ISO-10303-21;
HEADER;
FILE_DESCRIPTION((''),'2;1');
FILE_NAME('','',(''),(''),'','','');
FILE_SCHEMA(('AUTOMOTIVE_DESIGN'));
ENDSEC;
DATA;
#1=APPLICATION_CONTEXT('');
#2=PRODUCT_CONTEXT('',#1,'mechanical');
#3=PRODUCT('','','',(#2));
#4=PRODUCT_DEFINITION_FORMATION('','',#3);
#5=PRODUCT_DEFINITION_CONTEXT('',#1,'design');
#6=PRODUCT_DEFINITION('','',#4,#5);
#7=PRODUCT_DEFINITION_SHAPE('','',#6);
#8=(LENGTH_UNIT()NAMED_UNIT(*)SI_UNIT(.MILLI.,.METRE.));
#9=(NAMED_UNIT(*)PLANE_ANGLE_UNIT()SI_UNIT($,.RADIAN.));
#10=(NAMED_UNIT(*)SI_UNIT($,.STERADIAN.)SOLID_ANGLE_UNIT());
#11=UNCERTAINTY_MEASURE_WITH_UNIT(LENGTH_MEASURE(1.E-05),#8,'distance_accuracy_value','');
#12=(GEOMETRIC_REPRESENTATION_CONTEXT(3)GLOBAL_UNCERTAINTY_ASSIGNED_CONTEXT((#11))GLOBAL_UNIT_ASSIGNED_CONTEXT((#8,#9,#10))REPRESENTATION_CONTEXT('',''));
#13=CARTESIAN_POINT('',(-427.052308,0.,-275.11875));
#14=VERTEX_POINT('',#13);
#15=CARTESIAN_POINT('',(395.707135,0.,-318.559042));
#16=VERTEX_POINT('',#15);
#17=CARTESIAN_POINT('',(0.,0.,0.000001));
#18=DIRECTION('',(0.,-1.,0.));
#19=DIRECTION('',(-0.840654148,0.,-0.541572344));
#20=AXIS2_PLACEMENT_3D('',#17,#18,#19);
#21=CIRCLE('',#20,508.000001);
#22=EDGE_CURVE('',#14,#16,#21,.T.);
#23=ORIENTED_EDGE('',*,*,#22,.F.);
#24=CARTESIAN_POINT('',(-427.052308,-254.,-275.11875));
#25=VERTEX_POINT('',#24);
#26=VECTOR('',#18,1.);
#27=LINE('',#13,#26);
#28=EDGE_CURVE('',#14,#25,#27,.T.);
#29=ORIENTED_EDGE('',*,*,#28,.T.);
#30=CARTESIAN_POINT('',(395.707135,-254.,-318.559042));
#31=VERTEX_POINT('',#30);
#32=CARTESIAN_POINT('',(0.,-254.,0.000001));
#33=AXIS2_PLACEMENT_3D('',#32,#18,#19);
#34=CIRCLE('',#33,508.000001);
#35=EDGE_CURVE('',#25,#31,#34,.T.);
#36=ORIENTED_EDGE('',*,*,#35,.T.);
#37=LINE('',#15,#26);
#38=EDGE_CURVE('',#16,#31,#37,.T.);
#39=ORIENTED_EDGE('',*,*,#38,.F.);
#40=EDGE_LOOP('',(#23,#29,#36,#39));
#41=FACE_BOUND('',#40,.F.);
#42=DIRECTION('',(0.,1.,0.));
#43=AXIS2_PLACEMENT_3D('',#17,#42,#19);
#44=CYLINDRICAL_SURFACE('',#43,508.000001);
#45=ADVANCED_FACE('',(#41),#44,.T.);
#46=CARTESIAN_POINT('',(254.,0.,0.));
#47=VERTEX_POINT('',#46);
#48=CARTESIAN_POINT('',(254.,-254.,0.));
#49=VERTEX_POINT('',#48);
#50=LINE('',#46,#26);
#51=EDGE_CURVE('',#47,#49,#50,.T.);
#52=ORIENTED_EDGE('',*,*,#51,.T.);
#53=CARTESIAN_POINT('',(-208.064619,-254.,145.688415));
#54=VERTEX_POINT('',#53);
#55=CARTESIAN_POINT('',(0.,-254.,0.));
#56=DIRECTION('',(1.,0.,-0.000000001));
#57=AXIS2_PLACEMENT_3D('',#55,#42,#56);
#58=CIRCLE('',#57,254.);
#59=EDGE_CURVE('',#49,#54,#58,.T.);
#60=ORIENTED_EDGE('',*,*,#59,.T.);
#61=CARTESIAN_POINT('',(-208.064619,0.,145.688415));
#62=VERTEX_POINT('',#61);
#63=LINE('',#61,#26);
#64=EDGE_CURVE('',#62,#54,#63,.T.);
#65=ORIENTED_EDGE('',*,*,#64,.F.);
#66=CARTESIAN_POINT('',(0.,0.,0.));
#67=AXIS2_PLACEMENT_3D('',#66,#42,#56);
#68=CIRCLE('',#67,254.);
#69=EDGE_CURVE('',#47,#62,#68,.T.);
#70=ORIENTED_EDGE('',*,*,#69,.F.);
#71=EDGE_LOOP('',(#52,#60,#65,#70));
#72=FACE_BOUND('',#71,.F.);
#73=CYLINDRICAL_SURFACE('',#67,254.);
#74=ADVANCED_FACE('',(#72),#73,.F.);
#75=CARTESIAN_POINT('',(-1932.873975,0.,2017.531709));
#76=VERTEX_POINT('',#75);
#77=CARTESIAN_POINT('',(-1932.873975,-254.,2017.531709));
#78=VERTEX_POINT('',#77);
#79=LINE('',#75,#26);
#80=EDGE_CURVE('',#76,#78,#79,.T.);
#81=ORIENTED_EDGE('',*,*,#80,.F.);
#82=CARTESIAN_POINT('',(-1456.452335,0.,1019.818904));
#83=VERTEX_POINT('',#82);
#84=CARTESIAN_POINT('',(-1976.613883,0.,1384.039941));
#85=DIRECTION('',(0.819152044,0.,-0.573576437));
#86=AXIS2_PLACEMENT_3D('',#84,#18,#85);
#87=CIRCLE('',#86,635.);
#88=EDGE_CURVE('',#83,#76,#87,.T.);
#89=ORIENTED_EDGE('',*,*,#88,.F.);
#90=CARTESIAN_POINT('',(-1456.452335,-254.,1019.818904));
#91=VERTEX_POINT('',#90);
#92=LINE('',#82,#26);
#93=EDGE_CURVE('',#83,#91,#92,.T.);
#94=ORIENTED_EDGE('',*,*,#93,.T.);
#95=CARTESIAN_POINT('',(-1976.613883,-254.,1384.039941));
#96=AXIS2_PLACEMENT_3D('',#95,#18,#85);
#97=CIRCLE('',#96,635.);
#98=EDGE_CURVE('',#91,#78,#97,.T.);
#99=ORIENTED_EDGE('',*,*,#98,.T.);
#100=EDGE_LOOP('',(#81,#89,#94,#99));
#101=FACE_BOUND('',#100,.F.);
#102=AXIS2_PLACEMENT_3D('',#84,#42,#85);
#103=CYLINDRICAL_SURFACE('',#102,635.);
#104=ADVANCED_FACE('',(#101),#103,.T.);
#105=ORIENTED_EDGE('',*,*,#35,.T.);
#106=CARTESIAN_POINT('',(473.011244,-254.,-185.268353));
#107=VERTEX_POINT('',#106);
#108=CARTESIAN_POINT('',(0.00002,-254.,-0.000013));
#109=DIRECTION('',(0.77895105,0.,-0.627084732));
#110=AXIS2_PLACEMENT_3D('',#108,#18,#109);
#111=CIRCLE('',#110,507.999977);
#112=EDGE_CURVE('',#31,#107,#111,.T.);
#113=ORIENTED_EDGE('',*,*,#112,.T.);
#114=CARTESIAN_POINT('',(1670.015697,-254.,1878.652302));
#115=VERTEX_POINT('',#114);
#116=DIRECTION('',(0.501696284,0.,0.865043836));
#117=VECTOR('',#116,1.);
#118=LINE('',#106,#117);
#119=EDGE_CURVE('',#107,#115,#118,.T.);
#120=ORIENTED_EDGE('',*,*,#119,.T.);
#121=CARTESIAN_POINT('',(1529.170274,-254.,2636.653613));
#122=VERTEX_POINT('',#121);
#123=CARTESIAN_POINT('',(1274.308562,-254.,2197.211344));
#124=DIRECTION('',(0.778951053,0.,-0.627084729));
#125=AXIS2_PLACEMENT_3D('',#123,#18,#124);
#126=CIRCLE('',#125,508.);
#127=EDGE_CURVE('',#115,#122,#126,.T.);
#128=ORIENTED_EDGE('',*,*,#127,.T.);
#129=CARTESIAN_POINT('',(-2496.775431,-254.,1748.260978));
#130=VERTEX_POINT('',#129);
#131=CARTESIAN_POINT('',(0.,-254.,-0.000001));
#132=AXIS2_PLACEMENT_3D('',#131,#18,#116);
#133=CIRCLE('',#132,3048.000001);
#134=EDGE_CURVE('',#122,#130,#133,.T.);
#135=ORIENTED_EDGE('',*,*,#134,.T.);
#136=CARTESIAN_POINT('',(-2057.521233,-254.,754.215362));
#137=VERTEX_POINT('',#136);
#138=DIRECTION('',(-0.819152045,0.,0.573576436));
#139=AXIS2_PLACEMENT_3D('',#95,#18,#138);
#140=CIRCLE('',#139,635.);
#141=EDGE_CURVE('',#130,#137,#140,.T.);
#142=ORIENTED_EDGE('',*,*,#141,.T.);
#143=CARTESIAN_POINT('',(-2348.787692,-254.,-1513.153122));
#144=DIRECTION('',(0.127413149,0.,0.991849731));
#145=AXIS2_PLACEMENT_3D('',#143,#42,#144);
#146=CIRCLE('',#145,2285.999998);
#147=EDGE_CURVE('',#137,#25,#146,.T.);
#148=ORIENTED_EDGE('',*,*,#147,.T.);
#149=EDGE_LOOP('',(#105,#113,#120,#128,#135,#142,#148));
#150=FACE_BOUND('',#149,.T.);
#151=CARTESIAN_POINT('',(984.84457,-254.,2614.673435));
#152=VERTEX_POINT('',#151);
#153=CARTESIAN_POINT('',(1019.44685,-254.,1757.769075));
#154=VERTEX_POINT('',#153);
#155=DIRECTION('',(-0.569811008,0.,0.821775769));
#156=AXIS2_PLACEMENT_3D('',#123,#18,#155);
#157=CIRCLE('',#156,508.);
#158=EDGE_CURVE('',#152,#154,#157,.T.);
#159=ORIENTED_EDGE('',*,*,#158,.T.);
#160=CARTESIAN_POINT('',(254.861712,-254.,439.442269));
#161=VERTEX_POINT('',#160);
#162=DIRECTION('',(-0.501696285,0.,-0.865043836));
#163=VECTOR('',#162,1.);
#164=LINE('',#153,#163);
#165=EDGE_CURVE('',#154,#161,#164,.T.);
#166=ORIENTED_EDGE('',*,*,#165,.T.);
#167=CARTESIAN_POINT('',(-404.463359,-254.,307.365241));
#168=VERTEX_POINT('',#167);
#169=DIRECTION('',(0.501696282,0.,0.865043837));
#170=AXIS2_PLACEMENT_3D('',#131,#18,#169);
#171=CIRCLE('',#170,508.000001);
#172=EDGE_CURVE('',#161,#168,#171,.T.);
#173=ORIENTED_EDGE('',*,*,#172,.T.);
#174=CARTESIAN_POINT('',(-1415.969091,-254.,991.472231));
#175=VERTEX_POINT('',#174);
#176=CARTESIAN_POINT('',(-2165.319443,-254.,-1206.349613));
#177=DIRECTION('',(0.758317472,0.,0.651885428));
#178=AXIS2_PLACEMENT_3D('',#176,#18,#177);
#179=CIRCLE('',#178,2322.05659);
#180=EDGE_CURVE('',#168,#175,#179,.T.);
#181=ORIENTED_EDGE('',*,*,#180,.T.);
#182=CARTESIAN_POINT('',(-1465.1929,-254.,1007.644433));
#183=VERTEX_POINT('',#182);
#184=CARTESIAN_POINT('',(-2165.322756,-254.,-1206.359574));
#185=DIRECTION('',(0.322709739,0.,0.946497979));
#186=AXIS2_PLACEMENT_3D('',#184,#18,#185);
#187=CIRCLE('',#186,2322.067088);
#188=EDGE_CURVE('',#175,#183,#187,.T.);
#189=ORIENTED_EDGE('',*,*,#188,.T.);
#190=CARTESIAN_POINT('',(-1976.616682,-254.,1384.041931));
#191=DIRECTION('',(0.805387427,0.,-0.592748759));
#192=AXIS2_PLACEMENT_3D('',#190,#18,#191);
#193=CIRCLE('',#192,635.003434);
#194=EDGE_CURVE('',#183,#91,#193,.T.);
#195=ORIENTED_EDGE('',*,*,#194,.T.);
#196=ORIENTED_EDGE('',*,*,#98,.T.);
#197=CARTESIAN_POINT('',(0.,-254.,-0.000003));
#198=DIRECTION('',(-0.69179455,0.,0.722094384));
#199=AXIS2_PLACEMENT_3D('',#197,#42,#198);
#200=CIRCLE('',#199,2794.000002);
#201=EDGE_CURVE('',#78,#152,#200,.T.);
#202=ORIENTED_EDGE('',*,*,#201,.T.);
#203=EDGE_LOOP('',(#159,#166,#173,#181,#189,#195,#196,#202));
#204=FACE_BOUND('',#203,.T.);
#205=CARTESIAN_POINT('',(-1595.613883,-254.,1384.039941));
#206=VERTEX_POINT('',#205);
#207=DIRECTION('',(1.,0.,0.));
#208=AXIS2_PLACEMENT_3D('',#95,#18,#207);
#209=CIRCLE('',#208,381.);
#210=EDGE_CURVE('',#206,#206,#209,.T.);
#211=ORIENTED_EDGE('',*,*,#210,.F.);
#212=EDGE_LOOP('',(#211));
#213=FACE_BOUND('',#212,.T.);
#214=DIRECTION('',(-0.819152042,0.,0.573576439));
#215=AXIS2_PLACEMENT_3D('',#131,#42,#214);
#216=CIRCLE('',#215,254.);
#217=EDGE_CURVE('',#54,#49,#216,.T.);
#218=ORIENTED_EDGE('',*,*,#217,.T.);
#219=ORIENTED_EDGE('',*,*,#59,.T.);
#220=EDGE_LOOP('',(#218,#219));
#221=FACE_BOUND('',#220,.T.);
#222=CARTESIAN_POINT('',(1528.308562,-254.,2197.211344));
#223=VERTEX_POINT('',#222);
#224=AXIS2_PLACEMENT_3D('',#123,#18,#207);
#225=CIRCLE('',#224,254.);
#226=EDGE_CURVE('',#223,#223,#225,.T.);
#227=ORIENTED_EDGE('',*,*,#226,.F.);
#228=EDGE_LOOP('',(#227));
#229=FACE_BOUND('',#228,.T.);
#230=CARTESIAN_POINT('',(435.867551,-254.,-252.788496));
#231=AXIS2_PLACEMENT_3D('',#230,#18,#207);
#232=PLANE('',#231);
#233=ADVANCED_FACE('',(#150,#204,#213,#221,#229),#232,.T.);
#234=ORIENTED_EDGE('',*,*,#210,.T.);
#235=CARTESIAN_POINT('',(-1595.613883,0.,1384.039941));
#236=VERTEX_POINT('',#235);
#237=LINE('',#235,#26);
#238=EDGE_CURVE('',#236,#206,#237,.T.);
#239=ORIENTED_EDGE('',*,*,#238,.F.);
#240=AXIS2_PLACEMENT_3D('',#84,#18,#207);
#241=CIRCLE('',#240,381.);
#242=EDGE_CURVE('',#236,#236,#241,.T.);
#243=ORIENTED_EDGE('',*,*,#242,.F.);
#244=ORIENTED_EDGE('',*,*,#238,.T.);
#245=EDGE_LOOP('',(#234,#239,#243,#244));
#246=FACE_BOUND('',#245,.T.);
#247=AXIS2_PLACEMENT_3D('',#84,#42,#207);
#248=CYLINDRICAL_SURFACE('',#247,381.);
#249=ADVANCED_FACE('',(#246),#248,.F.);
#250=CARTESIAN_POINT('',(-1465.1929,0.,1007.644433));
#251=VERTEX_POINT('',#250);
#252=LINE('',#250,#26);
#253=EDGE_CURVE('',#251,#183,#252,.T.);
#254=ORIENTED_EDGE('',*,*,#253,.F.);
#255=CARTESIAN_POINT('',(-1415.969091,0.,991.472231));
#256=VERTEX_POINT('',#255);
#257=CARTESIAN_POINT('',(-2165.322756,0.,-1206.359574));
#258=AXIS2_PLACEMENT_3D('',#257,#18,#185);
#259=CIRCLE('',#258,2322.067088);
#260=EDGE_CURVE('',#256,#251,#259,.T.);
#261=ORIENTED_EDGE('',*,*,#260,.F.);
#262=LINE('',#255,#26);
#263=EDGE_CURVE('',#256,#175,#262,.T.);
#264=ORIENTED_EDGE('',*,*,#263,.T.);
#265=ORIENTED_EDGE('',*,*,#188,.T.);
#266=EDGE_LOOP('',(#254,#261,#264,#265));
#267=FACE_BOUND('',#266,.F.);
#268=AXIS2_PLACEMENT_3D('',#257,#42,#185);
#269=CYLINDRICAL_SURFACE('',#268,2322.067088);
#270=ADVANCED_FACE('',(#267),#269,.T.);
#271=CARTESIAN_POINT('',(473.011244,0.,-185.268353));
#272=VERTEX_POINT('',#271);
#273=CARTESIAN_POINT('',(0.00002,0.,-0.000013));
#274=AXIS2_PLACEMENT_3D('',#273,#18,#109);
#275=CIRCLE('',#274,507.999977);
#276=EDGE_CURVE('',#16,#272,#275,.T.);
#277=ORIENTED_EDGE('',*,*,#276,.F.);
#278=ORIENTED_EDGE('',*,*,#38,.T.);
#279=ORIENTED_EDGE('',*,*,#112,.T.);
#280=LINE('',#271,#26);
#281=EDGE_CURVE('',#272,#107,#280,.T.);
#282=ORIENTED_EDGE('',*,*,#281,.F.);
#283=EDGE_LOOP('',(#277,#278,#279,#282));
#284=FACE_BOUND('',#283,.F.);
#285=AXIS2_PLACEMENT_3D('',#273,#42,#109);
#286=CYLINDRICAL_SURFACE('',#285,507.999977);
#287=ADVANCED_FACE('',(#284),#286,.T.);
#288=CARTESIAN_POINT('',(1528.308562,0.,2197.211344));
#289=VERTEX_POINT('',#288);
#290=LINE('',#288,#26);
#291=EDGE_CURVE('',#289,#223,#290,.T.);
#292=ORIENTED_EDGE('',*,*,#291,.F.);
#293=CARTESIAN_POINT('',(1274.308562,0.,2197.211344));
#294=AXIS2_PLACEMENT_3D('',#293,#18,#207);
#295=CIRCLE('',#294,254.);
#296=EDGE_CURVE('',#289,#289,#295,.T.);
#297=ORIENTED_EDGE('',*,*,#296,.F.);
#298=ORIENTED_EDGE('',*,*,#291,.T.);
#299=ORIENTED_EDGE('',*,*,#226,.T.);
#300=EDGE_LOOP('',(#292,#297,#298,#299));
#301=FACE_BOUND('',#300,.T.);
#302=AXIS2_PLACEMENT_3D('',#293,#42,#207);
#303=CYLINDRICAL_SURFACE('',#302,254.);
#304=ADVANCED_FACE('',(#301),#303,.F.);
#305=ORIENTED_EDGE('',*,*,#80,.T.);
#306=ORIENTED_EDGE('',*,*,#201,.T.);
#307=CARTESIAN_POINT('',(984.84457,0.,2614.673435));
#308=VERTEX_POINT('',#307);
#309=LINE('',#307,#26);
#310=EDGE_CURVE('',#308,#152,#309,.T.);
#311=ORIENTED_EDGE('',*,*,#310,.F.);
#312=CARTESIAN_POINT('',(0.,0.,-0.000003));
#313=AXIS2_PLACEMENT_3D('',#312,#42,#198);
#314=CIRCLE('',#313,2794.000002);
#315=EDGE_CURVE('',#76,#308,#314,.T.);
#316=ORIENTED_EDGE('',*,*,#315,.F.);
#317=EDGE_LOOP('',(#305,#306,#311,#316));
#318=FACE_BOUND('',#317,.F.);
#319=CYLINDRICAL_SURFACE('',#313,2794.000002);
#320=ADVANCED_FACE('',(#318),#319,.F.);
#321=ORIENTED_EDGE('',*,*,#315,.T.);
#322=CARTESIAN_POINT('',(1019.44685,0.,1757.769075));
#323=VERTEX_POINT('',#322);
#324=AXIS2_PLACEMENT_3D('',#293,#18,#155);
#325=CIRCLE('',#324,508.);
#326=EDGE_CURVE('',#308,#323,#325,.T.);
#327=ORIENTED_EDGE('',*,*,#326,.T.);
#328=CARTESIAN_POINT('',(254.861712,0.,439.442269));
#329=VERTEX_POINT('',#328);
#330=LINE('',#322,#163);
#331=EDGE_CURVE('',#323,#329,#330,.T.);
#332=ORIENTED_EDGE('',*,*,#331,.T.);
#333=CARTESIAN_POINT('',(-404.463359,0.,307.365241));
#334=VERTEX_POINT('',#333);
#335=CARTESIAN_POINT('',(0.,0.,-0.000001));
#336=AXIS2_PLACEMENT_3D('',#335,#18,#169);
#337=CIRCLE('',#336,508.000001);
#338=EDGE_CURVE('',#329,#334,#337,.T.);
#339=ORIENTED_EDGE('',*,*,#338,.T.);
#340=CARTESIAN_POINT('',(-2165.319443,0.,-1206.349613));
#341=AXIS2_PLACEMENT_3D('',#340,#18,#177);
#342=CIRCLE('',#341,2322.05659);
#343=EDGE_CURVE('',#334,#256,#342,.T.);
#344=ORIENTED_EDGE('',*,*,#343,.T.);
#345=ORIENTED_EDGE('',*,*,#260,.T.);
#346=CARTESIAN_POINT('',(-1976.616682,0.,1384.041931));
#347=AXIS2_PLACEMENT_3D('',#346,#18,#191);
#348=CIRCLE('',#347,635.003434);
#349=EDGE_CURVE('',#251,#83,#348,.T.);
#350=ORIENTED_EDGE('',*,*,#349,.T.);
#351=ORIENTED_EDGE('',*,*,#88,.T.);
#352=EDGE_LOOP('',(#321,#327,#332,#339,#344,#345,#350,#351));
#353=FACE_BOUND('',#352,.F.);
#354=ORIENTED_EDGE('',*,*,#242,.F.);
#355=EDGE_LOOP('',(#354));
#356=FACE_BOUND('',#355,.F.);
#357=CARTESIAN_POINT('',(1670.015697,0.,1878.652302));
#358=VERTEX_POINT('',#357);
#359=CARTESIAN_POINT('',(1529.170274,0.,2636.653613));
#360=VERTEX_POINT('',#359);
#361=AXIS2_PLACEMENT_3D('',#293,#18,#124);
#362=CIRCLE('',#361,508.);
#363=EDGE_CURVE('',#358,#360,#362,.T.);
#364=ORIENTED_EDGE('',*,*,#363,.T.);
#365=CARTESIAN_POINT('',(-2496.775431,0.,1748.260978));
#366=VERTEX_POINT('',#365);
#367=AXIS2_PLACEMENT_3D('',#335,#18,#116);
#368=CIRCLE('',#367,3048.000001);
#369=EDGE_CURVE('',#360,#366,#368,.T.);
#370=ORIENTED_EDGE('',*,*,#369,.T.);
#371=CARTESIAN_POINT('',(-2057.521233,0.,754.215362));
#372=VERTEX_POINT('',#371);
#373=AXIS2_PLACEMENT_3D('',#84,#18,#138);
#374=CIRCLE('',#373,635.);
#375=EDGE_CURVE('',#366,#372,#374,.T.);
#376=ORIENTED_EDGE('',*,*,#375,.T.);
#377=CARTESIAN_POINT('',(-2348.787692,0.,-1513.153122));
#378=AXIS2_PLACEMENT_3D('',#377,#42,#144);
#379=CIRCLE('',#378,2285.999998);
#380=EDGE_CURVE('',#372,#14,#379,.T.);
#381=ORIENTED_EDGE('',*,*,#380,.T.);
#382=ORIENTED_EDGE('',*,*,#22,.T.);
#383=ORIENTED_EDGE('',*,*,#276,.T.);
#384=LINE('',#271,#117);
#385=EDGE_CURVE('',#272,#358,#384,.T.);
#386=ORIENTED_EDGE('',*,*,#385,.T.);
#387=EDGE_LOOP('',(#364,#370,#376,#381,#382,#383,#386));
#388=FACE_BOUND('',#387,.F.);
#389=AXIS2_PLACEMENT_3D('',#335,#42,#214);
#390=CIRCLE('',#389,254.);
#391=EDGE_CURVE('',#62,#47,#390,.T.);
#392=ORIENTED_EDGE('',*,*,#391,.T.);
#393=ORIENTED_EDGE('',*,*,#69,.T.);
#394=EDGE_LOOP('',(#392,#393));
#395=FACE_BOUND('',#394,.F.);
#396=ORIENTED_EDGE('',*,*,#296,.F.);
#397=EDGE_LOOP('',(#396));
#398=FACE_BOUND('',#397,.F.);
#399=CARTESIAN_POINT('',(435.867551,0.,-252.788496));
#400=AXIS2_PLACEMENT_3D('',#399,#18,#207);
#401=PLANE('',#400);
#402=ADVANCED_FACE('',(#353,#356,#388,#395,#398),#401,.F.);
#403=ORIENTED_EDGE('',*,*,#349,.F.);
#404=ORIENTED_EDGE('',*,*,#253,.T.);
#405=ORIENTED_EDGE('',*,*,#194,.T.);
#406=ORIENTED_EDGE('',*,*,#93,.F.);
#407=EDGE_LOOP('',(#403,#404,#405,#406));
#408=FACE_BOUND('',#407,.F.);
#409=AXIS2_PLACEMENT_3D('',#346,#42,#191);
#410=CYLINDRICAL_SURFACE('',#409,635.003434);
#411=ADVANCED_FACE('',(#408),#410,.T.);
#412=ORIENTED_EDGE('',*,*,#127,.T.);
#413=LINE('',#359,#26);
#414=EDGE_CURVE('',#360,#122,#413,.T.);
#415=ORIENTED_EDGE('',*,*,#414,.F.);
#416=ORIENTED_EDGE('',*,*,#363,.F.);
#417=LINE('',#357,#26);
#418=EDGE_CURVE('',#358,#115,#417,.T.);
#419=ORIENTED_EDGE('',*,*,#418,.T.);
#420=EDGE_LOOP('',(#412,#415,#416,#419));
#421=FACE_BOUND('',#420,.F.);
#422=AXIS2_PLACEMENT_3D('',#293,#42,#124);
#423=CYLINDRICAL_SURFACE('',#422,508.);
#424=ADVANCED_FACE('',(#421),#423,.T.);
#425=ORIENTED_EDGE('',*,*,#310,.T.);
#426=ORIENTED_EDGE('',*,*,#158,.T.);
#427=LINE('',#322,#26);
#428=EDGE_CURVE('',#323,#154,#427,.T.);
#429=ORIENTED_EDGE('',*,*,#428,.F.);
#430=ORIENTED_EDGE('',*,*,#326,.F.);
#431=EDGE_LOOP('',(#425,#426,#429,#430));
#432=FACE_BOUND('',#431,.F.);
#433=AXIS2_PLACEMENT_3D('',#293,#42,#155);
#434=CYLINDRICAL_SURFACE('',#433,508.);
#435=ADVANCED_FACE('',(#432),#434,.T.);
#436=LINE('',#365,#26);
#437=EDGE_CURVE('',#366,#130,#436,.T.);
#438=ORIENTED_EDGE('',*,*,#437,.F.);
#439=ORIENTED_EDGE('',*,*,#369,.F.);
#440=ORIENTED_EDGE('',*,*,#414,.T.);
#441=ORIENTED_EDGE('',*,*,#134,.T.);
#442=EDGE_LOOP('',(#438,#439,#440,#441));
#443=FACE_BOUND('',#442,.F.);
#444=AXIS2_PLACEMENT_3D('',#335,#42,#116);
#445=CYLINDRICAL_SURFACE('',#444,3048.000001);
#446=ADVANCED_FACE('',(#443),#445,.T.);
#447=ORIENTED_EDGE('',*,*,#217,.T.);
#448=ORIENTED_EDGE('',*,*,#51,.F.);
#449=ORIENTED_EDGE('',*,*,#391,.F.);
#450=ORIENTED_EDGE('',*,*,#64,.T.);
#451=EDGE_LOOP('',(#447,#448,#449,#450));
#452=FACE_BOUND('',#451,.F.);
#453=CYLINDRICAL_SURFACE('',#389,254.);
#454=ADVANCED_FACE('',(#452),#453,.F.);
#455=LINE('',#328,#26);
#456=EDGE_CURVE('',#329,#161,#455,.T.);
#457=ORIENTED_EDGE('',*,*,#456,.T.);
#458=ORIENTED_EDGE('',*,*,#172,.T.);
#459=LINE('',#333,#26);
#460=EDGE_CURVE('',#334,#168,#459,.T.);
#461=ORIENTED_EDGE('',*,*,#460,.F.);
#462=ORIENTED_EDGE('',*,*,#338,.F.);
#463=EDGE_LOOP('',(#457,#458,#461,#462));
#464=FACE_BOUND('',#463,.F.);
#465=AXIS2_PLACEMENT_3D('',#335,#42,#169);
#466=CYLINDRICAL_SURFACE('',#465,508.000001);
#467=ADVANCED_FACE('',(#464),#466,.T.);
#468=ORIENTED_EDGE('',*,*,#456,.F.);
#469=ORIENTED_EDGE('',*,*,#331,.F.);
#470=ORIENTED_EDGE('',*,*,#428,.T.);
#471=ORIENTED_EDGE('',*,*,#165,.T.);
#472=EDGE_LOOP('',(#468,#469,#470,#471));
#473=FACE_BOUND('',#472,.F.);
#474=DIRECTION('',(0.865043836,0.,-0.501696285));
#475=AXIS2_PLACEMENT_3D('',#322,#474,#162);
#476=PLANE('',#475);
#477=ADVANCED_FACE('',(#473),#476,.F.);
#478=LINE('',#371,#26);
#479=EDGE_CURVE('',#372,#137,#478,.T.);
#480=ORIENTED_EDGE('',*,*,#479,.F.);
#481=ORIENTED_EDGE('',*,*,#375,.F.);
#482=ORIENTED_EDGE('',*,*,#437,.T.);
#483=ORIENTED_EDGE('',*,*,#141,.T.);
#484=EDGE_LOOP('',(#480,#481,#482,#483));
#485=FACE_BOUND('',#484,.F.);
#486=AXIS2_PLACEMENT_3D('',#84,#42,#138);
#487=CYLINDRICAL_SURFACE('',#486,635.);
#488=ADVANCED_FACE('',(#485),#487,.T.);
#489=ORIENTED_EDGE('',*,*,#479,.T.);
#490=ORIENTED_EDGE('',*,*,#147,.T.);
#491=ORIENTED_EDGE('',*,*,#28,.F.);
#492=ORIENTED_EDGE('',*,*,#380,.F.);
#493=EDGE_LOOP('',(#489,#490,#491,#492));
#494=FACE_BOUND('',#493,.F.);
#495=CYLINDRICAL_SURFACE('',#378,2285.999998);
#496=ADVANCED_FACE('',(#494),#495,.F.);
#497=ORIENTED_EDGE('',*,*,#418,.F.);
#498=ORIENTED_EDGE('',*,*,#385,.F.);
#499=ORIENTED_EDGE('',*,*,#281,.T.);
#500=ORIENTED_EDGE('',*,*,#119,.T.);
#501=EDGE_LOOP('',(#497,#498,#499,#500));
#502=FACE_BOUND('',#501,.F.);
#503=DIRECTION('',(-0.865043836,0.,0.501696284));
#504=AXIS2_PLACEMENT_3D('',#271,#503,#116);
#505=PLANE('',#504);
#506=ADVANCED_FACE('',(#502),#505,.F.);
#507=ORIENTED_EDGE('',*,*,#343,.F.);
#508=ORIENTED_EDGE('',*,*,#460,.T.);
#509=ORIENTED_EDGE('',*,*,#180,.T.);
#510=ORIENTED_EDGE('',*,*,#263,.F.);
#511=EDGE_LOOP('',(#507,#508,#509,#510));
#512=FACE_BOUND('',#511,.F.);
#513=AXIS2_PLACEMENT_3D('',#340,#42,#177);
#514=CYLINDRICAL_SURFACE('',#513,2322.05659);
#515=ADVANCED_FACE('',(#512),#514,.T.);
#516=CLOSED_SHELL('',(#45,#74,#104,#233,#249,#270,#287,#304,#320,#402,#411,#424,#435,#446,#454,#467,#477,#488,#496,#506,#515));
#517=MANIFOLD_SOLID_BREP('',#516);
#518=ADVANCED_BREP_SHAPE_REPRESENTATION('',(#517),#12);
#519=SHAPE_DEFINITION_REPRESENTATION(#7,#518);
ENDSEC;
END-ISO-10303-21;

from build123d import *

# Parameters (mm, degrees)
F0_R     = 381
F0_R_2   = 254
F1_DEPTH = 254


with BuildPart() as f1:
    # F0 (on Front) → F1 (new body)
    with BuildSketch(Plane.XZ):
        with BuildLine():
            Line((473.011244, -185.268353), (395.707135, -318.559042))
            ThreePointArc((395.707135, -318.559042), (439.442269, -254.861712), (473.011244, -185.268353))
        make_face()
        with BuildLine():
            ThreePointArc((-2057.521233, 754.215362), (-1128.449023, 419.867707), (-427.052308, -275.11875))
            ThreePointArc((-427.052308, -275.11875), (-26.784225, -507.293411), (395.707135, -318.559042))
            Line((395.707135, -318.559042), (473.011244, -185.268353))
            Line((473.011244, -185.268353), (1670.015697, 1878.652302))
            ThreePointArc((1670.015697, 1878.652302), (1773.759714, 2290.015152), (1529.170274, 2636.653613))
            ThreePointArc((1529.170274, 2636.653613), (-656.791674, 2976.395252), (-2496.775431, 1748.260978))
            ThreePointArc((-2496.775431, 1748.260978), (-2557.434532, 1127.383803), (-2057.521233, 754.215362))
        make_face()
        with BuildLine():
            ThreePointArc((-208.064619, 145.688415), (76.379273, 242.244105), (254, 0))
            ThreePointArc((254, 0), (-76.379273, -242.244105), (-208.064619, 145.688415))
        make_face(mode=Mode.SUBTRACT)
        with Locations((-1976.613883, 1384.039941)):
            Circle(F0_R, mode=Mode.SUBTRACT)
        with BuildLine():
            ThreePointArc((-1932.873975, 2017.531709), (-560.209334, 2737.261679), (984.84457, 2614.673435))
            ThreePointArc((984.84457, 2614.673435), (766.722226, 2176.714723), (1019.44685, 1757.769075))
            Line((1019.44685, 1757.769075), (254.861712, 439.442269))
            ThreePointArc((254.861712, 439.442269), (-99.781003, 498.104157), (-404.463359, 307.365241))
            ThreePointArc((-404.463359, 307.365241), (-864.441016, 717.100965), (-1415.969091, 991.472231))
            ThreePointArc((-1415.969091, 991.472231), (-1440.535888, 999.695628), (-1465.1929, 1007.644433))
            ThreePointArc((-1465.1929, 1007.644433), (-1460.786699, 1013.705881), (-1456.452335, 1019.818904))
            ThreePointArc((-1456.452335, 1019.818904), (-1403.592135, 1657.665737), (-1932.873975, 2017.531709))
        make_face(mode=Mode.SUBTRACT)
        with Locations((1274.308562, 2197.211344)):
            Circle(F0_R_2, mode=Mode.SUBTRACT)
    extrude(amount=F1_DEPTH)


solid = f1.part
